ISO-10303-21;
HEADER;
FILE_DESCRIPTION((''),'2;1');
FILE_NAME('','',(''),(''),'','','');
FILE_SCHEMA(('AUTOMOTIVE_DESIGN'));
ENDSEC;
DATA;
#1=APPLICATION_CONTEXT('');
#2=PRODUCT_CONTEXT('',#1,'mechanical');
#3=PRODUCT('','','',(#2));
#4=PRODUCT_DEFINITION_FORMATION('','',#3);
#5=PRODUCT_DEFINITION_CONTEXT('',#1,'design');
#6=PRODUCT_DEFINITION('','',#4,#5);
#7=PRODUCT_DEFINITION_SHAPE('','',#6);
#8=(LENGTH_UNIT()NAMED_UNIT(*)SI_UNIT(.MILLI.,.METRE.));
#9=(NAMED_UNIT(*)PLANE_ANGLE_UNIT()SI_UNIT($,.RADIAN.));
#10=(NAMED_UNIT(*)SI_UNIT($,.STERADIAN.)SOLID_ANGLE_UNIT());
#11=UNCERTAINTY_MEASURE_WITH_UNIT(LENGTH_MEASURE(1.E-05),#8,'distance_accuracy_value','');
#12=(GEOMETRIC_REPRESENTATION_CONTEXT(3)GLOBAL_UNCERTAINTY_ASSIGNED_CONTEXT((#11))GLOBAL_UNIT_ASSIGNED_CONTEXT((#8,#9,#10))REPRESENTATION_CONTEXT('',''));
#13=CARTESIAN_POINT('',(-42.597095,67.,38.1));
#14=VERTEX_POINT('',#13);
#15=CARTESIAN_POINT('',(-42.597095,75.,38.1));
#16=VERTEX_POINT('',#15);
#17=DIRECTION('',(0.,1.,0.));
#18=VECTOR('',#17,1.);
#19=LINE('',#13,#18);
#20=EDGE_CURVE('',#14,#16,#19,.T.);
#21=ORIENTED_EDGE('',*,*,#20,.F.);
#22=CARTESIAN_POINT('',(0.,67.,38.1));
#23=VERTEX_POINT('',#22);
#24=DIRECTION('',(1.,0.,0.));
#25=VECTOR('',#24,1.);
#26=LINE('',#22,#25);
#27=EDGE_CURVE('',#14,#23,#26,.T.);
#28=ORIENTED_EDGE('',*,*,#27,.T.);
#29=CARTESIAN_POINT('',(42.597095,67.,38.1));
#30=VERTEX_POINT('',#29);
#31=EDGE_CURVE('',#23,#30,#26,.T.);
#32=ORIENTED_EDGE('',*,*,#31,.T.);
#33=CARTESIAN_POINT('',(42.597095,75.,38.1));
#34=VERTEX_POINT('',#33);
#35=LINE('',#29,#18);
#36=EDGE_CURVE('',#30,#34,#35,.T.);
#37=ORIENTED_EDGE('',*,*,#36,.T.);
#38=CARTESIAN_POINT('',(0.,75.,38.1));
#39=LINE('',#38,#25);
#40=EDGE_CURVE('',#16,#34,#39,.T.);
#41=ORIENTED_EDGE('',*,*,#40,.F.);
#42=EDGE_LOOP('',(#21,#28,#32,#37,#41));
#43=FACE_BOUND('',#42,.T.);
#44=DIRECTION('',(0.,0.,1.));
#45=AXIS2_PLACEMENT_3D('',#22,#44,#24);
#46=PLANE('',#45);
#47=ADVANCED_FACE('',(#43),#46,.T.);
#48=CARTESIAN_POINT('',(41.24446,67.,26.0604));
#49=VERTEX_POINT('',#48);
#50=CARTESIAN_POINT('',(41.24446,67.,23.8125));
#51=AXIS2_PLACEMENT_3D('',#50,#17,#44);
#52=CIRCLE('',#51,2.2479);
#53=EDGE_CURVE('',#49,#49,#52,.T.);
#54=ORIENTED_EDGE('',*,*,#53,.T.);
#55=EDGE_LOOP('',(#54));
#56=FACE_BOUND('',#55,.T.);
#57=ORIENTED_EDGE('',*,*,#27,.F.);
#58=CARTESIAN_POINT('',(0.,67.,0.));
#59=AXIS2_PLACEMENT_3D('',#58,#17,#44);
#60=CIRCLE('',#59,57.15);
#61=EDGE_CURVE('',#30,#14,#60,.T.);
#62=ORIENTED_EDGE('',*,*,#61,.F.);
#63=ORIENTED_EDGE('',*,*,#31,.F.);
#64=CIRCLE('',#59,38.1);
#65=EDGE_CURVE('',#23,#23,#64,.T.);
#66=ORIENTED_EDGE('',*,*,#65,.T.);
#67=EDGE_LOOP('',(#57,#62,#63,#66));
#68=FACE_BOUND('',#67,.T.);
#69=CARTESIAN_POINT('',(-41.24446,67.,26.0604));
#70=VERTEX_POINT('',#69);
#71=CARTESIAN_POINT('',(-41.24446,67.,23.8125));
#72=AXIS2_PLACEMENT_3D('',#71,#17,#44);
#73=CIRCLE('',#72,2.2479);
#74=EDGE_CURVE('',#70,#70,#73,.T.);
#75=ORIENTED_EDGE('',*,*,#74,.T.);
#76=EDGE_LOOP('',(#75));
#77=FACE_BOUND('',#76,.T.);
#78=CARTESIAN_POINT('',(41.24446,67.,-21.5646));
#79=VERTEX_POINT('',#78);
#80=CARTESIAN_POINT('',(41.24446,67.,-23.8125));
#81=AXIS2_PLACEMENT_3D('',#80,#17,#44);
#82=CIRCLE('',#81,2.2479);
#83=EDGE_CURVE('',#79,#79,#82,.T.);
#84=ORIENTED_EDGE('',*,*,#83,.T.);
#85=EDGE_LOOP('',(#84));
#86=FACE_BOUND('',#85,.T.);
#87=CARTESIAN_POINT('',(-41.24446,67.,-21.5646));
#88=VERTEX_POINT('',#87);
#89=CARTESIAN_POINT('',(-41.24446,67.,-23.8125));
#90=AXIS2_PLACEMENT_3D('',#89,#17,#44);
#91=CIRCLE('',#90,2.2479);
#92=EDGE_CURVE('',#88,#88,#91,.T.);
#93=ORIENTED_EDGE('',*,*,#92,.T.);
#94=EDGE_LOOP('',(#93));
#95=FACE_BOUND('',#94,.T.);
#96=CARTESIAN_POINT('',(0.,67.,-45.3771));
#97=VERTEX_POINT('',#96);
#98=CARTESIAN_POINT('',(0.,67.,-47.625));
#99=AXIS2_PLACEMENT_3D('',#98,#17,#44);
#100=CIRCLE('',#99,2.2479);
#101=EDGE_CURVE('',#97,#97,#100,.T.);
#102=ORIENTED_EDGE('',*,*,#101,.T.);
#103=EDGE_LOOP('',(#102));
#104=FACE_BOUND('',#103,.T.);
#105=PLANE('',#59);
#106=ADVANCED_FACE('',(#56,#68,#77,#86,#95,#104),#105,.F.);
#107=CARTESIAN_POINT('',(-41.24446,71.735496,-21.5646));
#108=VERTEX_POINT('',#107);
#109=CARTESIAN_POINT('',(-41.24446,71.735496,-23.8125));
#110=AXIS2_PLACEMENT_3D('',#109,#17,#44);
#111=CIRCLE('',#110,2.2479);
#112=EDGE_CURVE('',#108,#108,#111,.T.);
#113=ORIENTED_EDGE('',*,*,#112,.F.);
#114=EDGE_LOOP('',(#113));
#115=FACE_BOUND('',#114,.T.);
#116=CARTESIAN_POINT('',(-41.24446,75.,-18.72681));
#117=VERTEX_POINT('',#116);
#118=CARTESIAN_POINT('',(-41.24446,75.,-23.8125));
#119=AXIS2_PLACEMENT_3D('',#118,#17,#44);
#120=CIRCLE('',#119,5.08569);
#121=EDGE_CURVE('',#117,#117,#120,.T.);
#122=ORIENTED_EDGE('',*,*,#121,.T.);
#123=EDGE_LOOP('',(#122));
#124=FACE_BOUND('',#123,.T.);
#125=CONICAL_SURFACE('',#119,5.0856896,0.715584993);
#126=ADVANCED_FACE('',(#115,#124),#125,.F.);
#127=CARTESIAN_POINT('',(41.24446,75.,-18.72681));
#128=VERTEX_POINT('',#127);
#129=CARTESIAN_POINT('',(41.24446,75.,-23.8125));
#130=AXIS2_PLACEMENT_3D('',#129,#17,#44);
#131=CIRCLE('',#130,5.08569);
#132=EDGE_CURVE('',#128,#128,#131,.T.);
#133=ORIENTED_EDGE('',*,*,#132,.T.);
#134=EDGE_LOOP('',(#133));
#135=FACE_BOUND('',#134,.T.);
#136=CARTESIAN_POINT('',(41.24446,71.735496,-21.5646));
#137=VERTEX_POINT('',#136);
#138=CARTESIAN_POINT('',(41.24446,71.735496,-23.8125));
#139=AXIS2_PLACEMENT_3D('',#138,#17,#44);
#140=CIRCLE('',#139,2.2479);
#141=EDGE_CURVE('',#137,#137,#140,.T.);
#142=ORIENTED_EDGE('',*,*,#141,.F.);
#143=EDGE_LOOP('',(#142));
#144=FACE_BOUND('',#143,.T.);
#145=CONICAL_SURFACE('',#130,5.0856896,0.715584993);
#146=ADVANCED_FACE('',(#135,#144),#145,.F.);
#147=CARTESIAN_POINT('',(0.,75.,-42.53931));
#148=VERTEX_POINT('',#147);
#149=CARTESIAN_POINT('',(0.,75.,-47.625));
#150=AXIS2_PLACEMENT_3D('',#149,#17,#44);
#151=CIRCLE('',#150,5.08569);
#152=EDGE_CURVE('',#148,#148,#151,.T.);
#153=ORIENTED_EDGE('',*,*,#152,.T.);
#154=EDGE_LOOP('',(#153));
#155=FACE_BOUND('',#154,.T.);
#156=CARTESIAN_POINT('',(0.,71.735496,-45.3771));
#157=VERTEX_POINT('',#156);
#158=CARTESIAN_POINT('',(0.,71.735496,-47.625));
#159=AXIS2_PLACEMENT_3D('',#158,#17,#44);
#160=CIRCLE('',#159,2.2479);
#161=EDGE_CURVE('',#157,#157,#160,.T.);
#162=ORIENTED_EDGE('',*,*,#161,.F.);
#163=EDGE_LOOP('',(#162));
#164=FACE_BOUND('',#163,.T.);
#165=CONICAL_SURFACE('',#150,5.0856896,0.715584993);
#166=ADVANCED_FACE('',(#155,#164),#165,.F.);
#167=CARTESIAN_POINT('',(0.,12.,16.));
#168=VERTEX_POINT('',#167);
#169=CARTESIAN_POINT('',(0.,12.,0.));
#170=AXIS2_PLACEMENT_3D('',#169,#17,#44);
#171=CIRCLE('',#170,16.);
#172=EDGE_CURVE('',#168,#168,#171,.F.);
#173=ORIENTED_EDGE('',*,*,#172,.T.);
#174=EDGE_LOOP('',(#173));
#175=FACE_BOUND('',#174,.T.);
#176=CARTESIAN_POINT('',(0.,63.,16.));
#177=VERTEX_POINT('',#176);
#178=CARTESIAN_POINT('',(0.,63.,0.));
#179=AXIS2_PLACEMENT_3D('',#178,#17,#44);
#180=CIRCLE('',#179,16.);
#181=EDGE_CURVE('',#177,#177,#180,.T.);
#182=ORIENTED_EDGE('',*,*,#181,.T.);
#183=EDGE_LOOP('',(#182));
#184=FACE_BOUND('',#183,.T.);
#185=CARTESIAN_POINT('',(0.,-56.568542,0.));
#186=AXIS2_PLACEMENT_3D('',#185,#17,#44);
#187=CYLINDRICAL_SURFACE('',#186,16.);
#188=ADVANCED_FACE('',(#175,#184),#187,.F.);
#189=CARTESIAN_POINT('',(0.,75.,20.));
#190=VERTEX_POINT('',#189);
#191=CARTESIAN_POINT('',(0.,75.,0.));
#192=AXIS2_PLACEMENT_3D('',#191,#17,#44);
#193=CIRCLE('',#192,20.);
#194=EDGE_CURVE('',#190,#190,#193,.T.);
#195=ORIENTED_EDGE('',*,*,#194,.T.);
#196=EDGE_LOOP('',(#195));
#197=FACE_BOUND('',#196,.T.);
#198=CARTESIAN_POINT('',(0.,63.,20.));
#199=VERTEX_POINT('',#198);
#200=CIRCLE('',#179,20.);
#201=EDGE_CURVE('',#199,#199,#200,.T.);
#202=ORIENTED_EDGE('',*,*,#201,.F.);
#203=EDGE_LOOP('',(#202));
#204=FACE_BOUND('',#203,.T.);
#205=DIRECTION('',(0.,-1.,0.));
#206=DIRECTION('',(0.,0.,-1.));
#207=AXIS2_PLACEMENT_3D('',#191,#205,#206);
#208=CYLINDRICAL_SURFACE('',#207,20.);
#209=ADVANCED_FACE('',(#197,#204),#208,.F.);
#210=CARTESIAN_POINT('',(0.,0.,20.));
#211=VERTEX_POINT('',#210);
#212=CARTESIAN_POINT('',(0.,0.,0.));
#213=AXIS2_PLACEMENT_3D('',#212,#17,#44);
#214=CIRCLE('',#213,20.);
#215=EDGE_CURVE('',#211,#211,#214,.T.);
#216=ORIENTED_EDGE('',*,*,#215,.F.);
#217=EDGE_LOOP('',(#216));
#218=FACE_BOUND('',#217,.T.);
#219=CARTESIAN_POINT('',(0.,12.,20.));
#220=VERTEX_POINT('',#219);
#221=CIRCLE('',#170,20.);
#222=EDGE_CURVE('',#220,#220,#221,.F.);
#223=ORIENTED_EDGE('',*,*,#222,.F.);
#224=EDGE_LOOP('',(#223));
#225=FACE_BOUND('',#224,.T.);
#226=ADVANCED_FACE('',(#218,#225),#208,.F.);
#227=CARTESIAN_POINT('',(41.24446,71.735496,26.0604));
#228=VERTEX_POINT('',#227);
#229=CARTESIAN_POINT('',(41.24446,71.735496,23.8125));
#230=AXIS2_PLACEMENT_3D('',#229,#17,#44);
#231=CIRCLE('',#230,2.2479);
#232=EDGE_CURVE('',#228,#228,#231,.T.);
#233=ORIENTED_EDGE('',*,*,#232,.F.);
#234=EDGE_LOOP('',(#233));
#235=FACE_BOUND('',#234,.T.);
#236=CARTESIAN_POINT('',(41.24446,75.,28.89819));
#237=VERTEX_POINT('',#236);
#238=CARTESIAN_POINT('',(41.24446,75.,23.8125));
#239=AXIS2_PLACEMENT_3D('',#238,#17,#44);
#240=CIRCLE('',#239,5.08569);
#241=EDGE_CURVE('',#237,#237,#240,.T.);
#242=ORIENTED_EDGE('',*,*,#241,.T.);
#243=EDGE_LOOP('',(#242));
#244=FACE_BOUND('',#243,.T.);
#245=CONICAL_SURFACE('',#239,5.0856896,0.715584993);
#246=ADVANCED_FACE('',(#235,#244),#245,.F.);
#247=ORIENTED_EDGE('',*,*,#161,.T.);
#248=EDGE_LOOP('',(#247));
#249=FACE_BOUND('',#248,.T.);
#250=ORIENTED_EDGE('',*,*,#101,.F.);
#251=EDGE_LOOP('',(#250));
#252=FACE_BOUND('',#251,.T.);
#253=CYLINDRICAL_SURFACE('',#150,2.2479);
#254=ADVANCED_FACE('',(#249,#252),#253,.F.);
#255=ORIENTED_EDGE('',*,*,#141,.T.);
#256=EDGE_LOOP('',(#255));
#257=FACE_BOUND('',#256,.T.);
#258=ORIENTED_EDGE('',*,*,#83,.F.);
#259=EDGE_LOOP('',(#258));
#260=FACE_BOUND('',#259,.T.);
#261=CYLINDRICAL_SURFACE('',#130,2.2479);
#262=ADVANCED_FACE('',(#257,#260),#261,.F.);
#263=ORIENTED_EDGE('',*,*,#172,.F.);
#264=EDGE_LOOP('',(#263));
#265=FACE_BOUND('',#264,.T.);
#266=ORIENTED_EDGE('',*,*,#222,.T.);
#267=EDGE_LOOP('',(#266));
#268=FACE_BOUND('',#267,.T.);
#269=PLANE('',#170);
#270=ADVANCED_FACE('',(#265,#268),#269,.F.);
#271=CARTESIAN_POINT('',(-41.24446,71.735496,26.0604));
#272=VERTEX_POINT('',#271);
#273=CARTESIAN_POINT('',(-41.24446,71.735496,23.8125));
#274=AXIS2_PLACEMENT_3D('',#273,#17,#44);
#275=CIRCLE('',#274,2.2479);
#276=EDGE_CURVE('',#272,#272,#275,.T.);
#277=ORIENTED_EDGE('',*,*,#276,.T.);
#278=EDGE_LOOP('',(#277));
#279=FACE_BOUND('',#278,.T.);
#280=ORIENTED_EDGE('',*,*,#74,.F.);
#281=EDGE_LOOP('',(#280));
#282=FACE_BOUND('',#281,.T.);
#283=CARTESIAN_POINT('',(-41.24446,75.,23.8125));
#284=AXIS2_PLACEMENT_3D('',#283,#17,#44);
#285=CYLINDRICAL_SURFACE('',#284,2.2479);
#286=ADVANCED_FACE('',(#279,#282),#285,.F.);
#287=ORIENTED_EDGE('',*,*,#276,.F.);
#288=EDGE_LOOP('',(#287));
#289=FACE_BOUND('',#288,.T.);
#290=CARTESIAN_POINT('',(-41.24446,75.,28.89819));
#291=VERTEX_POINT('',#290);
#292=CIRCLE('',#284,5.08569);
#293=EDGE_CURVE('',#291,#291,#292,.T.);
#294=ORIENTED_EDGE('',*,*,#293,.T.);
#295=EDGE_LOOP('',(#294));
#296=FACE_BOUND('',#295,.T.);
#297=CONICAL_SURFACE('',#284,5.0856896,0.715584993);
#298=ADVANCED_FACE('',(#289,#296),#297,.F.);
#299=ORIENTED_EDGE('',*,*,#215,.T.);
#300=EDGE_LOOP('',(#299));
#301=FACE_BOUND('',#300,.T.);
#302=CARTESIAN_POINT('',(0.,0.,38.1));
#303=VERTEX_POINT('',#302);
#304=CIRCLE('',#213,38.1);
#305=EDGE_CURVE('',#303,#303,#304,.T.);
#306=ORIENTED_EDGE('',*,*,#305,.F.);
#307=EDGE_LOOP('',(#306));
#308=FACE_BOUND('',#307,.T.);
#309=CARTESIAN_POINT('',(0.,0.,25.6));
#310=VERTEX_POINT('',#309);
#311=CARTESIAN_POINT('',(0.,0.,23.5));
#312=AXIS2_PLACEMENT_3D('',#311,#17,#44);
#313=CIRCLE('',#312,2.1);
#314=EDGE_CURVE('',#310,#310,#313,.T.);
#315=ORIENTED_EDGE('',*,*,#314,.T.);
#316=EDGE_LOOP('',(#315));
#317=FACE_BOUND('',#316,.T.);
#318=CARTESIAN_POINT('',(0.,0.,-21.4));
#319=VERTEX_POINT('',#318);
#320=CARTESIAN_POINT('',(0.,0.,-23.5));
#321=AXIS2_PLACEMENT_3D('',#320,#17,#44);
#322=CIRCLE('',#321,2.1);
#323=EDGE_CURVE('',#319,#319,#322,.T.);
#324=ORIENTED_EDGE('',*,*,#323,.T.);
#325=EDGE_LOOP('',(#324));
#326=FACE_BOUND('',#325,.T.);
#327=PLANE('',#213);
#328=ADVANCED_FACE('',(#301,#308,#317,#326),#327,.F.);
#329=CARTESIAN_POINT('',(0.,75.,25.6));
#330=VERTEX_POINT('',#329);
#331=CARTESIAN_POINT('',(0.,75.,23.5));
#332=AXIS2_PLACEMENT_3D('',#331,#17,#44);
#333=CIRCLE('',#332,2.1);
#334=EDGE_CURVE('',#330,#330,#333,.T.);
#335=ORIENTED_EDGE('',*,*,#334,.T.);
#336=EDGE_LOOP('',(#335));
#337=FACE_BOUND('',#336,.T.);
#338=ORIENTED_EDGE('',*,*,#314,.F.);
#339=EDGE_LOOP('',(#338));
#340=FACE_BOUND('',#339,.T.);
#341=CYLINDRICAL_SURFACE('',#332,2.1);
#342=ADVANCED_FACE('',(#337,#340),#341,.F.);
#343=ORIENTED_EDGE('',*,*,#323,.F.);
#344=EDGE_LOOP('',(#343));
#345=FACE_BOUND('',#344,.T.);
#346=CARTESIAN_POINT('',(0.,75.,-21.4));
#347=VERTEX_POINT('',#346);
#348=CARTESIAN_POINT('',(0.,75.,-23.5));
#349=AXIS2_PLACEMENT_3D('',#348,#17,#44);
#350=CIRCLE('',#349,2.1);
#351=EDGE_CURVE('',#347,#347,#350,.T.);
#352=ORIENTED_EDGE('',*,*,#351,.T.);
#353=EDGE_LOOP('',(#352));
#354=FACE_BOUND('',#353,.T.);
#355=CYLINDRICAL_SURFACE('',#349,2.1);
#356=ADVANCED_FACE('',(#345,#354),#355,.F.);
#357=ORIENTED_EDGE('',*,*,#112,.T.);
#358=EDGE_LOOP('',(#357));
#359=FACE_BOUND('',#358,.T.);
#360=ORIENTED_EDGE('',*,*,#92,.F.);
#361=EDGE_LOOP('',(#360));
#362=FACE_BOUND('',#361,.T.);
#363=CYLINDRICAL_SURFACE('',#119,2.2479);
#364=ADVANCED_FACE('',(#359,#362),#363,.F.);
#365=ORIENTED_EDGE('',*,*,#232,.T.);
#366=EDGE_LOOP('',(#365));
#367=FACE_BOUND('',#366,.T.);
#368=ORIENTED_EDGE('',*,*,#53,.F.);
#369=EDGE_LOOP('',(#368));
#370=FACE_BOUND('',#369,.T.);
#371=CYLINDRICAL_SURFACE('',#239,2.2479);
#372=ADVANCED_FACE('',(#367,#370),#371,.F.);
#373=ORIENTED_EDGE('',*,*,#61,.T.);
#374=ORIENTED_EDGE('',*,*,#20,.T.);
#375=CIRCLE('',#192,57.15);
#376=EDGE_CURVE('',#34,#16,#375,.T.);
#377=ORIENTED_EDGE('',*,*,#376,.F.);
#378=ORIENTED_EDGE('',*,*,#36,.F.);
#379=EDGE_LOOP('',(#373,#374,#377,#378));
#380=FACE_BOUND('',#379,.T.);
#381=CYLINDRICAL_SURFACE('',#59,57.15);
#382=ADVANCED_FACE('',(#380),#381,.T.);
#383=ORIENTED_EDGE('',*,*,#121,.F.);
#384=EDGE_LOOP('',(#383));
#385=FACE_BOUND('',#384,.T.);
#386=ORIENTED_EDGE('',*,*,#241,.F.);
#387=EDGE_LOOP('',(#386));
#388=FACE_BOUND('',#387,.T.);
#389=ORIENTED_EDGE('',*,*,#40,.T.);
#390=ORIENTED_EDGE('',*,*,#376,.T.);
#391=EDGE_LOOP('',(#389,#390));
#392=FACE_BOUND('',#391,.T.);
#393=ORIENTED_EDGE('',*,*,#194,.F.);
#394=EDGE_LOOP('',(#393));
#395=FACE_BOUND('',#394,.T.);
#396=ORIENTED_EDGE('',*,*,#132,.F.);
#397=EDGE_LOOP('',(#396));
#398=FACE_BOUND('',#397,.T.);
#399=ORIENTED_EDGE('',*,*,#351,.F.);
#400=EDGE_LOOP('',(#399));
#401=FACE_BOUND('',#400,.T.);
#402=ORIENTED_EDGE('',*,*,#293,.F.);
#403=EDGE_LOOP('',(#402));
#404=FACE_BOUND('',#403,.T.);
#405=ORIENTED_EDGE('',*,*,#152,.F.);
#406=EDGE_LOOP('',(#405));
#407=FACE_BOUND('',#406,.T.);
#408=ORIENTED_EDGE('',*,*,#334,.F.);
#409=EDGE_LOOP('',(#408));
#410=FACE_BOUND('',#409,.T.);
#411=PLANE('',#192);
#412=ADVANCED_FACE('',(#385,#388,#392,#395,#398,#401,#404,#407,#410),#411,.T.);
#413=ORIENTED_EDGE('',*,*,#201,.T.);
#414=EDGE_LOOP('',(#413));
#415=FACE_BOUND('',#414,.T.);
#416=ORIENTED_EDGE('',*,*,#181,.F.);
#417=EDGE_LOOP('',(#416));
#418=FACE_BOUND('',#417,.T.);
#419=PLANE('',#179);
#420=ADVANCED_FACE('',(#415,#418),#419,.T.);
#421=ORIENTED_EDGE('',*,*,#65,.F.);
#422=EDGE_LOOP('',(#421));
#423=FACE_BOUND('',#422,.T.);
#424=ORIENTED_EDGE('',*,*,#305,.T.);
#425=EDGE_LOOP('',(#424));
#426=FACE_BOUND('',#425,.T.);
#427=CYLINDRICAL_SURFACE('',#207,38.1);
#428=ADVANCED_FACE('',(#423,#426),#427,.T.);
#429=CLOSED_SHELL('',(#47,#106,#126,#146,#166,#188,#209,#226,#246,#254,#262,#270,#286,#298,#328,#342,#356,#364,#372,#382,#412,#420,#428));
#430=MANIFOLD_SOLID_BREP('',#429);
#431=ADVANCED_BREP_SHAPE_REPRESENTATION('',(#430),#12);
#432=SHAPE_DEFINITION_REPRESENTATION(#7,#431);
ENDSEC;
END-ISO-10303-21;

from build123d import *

# Parameters (mm, degrees)
SKETCH1_R                                      = 38.1
SKETCH1_R_2                                    = 20
BOSS_EXTRUDE1_DEPTH                            = 75
BOSS_EXTRUDE2_START                            = -8
SKETCH2_R                                      = 38.1
SKETCH2_R_2                                    = 20
BOSS_EXTRUDE2_DEPTH                            = 8
CSK_FOR_8_FLAT_HEAD_MACHINE_SCREW2_D           = 4.4958
CSK_FOR_8_FLAT_HEAD_MACHINE_SCREW2_CSINK_D     = 10.1713792
CSK_FOR_8_FLAT_HEAD_MACHINE_SCREW2_CSINK_ANGLE = 82
BOSS_EXTRUDE3_START                            = -63
SKETCH5_R                                      = 20
SKETCH5_R_2                                    = 16
BOSS_EXTRUDE3_DEPTH                            = 51
TAP_DRILL_FOR_M5X0_8_TAP1_D                    = 4.2


with BuildPart() as part:
    # Sketch1 → Boss-Extrude1 (new body)
    with BuildSketch(Plane(origin=(0, 0, 0), x_dir=(1, 0, 0), z_dir=(0, 1, 0))):
        with Locations(Location((0, 0, 0), (0, 0, 270))):
            Circle(SKETCH1_R)
        with Locations(Location((0, 0, 0), (0, 0, 270))):
            Circle(SKETCH1_R_2, mode=Mode.SUBTRACT)
    extrude(amount=BOSS_EXTRUDE1_DEPTH)

    # Sketch2 → Boss-Extrude2 (add)
    # profile 1 of 2: a face of its own
    with BuildSketch(Plane(origin=(0, 75, 0), x_dir=(1, 0, 0), z_dir=(0, 1, 0)).offset(BOSS_EXTRUDE2_START)):
        with BuildLine():
            ThreePointArc((57.15, 0), (-20.392382431, 53.387950315), (-42.597094971, -38.1))
            Line((-42.597094971, -38.1), (0, -38.1))
            Line((0, -38.1), (42.597094971, -38.1))
            ThreePointArc((42.597094971, -38.1), (53.387950315, -20.392382431), (57.15, 0))
        make_face()
        with BuildLine():
            ThreePointArc((38.1, 0), (26.940768363, -26.940768363), (0, -38.1))
            ThreePointArc((0, -38.1), (-26.940768363, 26.940768363), (38.1, 0))
        make_face(mode=Mode.SUBTRACT)
    # profile 2 of 2: a face of its own
    with BuildSketch(Plane(origin=(0, 75, 0), x_dir=(1, 0, 0), z_dir=(0, 1, 0)).offset(BOSS_EXTRUDE2_START)):
        with Locations(Location((0, 0, 0), (0, 0, 270))):
            Circle(SKETCH2_R)
        with Locations(Location((0, 0, 0), (0, 0, 270))):
            Circle(SKETCH2_R_2, mode=Mode.SUBTRACT)
    extrude(amount=BOSS_EXTRUDE2_DEPTH)

    # CSK for #8 Flat Head Machine Screw2 (through all)
    with Locations(Plane(origin=(0, 75, 0), x_dir=(1, 0, 0), z_dir=(0, 1, 0))):
        with Locations((-41.244459855, -23.8125), (-41.244459855, 23.8125), (0, 47.625), (41.244459855, 23.8125), (41.244459855, -23.8125), (0, -47.625)):
            CounterSinkHole(CSK_FOR_8_FLAT_HEAD_MACHINE_SCREW2_D / 2, CSK_FOR_8_FLAT_HEAD_MACHINE_SCREW2_CSINK_D / 2, counter_sink_angle=CSK_FOR_8_FLAT_HEAD_MACHINE_SCREW2_CSINK_ANGLE)

    # Sketch5 → Boss-Extrude3 (add)
    with BuildSketch(Plane(origin=(0, 75, 0), x_dir=(1, 0, 0), z_dir=(0, 1, 0)).offset(BOSS_EXTRUDE3_START)):
        with Locations(Location((0, 0, 0), (0, 0, 270))):
            Circle(SKETCH5_R)
        with Locations(Location((0, 0, 0), (0, 0, 270))):
            Circle(SKETCH5_R_2, mode=Mode.SUBTRACT)
    extrude(amount=BOSS_EXTRUDE3_DEPTH)

    # Tap Drill for M5x0.8 Tap1 (through all)
    with Locations(Plane(origin=(0, 75, 0), x_dir=(1, 0, 0), z_dir=(0, 1, 0))):
        with Locations((0, 23.5), (0, -23.5)):
            Hole(TAP_DRILL_FOR_M5X0_8_TAP1_D / 2)


solid = part.part
